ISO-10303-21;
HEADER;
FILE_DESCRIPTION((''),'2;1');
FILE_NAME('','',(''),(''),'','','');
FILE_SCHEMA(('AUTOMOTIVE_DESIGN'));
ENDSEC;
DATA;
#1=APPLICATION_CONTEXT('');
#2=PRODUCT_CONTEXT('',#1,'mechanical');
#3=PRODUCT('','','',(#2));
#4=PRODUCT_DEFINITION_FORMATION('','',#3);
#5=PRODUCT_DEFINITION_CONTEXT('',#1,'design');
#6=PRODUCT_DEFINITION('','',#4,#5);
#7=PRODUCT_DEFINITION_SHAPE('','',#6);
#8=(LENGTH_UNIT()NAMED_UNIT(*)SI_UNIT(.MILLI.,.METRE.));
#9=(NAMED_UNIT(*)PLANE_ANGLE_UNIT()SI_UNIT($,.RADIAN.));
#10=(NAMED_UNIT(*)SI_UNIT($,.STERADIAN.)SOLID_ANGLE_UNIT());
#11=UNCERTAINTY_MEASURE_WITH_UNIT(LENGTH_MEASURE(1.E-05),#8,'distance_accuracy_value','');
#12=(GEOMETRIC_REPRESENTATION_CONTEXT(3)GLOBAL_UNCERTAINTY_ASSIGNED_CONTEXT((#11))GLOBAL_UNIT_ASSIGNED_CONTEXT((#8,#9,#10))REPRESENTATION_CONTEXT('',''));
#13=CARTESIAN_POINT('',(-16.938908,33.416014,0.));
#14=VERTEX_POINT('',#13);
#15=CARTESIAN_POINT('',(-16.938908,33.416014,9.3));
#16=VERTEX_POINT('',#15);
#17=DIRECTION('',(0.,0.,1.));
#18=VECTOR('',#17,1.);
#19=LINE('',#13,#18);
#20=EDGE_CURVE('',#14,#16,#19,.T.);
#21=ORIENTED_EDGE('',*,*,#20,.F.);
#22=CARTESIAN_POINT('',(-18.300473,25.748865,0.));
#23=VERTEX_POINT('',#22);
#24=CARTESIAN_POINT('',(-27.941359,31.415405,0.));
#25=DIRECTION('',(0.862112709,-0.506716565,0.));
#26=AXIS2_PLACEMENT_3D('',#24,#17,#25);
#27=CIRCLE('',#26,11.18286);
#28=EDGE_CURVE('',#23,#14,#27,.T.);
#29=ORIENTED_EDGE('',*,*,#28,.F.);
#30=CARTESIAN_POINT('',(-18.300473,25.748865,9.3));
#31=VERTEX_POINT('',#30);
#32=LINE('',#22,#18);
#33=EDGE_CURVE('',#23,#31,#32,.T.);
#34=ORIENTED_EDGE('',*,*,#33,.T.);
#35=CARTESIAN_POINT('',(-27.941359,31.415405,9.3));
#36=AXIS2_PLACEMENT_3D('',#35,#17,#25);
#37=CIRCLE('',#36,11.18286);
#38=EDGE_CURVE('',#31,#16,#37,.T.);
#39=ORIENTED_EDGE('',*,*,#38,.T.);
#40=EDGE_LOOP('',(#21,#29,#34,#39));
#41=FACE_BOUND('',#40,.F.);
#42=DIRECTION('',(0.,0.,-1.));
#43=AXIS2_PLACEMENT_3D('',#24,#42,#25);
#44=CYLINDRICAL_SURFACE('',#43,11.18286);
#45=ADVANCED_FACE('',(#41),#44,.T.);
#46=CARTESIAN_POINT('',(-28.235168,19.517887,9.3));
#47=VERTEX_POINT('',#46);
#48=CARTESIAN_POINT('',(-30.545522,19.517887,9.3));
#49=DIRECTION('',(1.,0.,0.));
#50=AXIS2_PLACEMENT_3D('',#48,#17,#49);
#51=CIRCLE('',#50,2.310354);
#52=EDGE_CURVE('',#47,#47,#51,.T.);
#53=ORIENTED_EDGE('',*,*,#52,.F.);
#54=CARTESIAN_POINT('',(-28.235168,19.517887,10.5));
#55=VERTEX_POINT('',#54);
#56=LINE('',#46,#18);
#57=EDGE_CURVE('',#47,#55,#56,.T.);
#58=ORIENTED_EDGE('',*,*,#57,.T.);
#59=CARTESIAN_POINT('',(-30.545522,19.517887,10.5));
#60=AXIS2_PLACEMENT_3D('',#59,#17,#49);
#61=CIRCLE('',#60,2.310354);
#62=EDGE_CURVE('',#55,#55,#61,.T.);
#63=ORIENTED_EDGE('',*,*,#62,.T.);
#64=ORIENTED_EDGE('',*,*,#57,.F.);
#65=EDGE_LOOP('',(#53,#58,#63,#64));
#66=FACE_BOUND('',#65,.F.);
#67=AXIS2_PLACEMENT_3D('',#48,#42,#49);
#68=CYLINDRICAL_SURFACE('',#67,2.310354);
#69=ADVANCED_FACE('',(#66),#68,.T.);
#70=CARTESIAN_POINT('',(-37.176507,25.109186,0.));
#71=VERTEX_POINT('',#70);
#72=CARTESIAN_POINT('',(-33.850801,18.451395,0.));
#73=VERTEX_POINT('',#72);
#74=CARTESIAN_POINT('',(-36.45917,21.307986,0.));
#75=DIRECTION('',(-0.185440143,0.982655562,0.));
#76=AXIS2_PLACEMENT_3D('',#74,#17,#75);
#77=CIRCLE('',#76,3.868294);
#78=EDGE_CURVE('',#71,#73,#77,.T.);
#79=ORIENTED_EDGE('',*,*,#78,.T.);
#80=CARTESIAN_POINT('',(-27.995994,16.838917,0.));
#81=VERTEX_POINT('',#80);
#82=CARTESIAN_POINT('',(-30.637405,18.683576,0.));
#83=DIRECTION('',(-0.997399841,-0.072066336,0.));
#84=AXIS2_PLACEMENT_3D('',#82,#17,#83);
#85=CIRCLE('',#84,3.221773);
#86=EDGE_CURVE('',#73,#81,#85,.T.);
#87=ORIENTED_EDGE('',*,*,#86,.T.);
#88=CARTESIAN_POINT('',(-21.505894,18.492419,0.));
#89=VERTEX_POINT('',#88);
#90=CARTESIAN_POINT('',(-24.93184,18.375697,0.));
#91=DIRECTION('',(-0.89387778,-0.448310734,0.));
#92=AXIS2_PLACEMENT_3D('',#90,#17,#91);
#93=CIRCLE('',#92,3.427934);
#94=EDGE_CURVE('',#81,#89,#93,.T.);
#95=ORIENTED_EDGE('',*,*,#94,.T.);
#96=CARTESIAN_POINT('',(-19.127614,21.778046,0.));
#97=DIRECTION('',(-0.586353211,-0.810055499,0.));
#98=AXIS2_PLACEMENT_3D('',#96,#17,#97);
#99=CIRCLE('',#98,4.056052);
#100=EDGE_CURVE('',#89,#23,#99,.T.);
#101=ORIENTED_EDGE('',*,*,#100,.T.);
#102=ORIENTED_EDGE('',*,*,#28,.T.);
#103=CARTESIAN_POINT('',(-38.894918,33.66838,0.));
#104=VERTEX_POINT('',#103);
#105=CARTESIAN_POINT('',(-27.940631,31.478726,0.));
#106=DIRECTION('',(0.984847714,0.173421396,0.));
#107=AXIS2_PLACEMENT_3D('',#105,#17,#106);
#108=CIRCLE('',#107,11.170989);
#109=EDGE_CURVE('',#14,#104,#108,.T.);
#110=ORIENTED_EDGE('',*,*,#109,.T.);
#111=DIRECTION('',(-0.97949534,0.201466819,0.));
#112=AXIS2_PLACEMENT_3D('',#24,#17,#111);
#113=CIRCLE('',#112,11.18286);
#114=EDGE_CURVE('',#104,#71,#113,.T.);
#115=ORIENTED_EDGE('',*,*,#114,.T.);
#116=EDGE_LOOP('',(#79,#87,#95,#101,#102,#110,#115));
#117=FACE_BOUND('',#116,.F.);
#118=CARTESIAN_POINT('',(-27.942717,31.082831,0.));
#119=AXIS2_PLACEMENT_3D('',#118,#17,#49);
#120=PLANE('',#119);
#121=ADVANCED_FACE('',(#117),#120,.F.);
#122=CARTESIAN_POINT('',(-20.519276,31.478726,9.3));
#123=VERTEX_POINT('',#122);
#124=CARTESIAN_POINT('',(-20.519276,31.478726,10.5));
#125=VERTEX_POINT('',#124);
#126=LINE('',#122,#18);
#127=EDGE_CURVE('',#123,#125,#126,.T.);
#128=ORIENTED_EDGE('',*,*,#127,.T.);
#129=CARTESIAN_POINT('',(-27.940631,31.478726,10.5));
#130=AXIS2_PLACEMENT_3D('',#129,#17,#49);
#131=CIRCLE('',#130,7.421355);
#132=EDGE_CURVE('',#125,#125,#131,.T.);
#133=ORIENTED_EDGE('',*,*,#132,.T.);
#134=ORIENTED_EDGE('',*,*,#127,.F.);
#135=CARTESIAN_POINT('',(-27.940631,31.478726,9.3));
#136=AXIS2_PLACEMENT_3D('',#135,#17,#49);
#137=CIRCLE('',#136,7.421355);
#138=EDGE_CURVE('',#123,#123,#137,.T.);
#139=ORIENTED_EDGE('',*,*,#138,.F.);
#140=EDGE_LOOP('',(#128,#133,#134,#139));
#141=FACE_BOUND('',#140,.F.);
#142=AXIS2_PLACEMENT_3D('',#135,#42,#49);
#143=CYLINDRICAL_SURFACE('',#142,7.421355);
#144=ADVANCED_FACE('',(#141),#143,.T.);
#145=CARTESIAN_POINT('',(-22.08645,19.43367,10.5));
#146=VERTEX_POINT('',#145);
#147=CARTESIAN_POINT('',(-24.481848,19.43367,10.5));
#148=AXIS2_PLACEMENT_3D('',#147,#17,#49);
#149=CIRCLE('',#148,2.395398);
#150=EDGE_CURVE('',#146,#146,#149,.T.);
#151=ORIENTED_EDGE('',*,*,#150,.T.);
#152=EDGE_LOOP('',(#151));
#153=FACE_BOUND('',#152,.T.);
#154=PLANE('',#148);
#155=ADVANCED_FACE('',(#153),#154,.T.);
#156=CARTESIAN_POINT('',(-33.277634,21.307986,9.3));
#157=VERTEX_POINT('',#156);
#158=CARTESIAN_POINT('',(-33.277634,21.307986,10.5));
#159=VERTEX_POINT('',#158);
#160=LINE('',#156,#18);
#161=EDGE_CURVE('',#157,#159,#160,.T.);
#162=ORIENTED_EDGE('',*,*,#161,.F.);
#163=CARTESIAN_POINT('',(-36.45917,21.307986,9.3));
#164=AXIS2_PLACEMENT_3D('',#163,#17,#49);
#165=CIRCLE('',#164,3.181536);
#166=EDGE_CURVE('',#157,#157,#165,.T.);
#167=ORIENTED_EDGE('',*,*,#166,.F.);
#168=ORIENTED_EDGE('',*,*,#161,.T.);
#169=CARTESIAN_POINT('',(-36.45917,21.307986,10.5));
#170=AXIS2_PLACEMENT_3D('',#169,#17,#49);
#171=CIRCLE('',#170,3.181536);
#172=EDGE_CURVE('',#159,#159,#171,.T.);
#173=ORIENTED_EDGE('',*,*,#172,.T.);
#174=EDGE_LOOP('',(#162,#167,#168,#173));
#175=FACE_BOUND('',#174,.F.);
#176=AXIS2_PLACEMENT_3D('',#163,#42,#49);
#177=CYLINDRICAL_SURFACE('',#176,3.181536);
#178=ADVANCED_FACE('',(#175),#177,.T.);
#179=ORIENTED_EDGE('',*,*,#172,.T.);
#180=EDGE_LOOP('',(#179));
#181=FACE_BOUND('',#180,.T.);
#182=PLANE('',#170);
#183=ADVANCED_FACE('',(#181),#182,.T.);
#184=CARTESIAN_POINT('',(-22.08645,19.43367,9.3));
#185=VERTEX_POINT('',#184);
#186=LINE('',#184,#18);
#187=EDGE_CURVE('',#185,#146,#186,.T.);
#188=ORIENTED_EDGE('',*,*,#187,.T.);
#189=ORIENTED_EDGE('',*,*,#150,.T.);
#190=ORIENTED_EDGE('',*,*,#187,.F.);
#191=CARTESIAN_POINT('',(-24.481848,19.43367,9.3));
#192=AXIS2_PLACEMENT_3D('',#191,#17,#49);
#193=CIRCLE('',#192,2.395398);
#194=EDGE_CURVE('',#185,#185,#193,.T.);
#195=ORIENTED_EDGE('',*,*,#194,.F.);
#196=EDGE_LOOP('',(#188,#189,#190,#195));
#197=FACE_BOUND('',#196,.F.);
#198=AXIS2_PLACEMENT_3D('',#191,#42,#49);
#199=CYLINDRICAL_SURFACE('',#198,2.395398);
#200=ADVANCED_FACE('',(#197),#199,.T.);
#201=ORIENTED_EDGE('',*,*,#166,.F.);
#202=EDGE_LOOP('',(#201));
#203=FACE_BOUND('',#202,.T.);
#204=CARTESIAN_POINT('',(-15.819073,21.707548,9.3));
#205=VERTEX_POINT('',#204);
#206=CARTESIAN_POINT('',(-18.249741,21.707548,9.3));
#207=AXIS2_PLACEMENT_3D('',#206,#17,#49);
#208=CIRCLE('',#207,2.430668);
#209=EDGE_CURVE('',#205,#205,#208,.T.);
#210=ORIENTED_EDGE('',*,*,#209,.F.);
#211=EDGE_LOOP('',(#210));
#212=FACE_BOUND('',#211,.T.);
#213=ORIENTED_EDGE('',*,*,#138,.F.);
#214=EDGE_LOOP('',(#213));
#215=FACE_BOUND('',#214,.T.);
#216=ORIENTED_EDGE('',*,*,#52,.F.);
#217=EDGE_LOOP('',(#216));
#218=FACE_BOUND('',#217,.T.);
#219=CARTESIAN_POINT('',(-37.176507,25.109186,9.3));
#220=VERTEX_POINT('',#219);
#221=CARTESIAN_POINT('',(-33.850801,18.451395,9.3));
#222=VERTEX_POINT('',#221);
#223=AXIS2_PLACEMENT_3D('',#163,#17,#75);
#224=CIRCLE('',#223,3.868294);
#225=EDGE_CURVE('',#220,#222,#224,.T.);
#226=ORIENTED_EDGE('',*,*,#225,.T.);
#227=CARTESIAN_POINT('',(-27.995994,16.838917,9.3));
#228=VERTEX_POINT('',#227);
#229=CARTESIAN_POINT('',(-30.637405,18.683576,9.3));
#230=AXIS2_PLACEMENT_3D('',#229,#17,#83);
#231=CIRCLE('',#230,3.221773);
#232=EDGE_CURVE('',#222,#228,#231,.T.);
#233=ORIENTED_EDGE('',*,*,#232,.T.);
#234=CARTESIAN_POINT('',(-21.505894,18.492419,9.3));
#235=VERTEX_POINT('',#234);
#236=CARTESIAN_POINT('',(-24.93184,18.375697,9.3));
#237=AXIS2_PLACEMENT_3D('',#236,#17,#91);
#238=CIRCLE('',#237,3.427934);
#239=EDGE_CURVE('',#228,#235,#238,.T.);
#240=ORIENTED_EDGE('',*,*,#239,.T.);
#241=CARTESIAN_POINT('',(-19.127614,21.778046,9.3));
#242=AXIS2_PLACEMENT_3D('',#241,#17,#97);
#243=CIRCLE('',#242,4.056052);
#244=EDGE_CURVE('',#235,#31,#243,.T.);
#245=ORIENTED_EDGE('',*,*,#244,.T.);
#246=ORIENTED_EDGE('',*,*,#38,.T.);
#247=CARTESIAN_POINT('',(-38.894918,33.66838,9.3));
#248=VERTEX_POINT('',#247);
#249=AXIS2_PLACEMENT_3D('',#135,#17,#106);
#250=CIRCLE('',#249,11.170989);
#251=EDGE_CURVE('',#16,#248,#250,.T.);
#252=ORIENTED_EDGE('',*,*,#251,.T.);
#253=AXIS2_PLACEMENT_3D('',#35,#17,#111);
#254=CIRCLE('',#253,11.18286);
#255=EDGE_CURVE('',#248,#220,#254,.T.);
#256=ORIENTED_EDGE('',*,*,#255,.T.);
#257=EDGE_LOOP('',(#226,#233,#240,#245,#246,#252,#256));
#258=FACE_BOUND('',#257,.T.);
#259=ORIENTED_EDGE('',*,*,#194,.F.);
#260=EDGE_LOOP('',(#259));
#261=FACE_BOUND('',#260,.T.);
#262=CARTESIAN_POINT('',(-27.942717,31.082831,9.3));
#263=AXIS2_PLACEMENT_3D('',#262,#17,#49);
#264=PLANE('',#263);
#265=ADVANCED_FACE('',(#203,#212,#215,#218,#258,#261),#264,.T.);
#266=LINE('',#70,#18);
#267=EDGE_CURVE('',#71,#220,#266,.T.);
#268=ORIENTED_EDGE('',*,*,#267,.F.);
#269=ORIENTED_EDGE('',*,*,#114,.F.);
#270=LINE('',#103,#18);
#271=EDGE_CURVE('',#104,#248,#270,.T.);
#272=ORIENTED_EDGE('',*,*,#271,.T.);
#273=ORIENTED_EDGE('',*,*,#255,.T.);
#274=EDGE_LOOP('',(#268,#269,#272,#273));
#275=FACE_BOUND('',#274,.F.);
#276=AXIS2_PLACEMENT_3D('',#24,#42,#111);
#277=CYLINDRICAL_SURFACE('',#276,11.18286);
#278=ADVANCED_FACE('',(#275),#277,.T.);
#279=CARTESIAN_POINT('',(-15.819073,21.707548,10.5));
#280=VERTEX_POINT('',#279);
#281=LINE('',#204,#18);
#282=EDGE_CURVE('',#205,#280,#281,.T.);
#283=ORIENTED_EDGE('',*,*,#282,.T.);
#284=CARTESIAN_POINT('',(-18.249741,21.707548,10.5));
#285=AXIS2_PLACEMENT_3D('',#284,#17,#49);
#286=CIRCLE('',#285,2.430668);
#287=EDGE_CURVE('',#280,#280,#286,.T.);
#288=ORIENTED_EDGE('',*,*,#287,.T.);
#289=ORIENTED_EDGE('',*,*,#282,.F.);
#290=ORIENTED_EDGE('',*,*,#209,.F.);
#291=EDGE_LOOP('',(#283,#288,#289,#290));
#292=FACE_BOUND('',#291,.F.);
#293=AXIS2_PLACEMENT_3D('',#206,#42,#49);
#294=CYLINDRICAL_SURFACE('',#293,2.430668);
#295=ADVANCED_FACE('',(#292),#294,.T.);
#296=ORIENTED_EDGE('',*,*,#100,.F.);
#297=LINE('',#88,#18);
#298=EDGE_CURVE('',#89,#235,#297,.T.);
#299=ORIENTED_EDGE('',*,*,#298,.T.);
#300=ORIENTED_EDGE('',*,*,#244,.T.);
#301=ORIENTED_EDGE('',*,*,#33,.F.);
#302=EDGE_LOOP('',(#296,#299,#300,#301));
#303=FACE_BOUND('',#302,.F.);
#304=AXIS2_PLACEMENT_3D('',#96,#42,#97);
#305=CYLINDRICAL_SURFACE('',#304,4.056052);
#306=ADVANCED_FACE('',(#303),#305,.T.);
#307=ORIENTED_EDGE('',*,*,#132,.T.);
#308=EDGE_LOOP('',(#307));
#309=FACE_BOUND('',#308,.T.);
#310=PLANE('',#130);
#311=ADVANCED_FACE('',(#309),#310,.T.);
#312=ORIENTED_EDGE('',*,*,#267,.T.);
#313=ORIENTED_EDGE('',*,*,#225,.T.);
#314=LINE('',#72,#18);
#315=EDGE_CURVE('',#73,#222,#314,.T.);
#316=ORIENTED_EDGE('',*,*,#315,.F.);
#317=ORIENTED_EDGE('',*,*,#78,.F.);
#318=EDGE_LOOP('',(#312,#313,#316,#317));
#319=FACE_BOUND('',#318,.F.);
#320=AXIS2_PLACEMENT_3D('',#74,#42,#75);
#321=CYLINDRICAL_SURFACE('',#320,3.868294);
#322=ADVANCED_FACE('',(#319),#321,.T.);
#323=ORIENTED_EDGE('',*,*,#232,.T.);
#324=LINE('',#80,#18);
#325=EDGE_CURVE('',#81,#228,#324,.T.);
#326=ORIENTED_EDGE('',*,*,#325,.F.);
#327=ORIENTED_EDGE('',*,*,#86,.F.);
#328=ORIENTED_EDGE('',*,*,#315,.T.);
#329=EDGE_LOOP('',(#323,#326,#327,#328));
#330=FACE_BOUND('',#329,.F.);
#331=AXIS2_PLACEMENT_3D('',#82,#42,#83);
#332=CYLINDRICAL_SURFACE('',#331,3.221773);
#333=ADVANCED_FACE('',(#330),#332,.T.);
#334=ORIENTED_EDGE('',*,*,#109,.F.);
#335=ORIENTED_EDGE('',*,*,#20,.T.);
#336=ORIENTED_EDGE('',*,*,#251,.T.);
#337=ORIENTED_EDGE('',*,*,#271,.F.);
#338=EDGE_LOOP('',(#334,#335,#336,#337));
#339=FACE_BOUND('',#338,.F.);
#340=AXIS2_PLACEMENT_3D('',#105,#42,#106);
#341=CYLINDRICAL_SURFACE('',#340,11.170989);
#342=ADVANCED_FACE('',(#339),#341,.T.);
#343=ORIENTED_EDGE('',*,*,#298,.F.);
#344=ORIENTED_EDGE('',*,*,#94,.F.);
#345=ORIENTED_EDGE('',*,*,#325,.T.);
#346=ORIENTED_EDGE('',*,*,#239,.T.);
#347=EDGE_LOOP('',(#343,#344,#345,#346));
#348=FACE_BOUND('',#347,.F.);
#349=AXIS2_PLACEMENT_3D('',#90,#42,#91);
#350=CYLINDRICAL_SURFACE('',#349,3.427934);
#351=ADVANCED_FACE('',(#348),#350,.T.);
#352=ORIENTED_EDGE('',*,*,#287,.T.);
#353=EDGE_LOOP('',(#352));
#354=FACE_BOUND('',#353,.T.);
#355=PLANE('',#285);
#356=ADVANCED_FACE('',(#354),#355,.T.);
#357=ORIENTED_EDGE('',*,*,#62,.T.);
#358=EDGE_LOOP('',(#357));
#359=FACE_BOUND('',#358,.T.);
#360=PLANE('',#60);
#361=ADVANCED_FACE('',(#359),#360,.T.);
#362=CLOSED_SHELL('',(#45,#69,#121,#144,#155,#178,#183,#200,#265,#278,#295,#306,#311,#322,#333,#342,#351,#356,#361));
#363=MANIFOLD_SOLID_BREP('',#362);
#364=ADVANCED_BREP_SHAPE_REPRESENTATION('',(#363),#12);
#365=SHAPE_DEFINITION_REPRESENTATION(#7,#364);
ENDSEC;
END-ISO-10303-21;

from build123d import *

# Parameters (mm, degrees)
F1_DEPTH = 9.3
F2_R     = 7.4213549333
F2_R_2   = 3.1815358487
F2_R_3   = 2.3103538903
F2_R_4   = 2.3953978144
F2_R_5   = 2.4306675127
F3_DEPTH = 1.2


with BuildPart() as f1:
    # F0 (on Top) → F1 (new body)
    with BuildSketch(Plane.XY):
        with BuildLine():
            ThreePointArc((-18.3004729587, 25.7488646483), (-16.9307669757, 29.4600974462), (-16.9389080256, 33.4160141647))
            ThreePointArc((-16.9389080256, 33.4160141647), (-27.8122380676, 42.6489766388), (-38.8949178159, 33.6683802307))
            ThreePointArc((-38.8949178159, 33.6683802307), (-38.9054329765, 29.2141712974), (-37.1765067827, 25.1091862783))
            ThreePointArc((-37.1765067827, 25.1091862783), (-35.1477566437, 22.8641370486), (-32.5913859219, 21.2451738298))
            ThreePointArc((-32.5913859219, 21.2451738298), (-30.2580300956, 20.4751404155), (-27.8128294464, 20.2332837294))
            ThreePointArc((-27.8128294464, 20.2332837294), (-25.4265044225, 20.5189898006), (-23.1563369345, 21.3079857798))
            ThreePointArc((-23.1563369345, 21.3079857798), (-20.3943690235, 23.1631747639), (-18.3004729587, 25.7488646483))
        make_face()
        with BuildLine():
            ThreePointArc((-21.5058938379, 18.49241862), (-15.4174244879, 20.1391282026), (-18.3004729587, 25.7488646483))
            ThreePointArc((-18.3004729587, 25.7488646483), (-20.3943690235, 23.1631747639), (-23.1563369345, 21.3079857798))
            ThreePointArc((-23.1563369345, 21.3079857798), (-21.9745400177, 20.1092213147), (-21.5058938379, 18.49241862))
        make_face()
        with BuildLine():
            ThreePointArc((-32.5913859219, 21.2451738298), (-35.1477566437, 22.8641370486), (-37.1765067827, 25.1091862783))
            ThreePointArc((-37.1765067827, 25.1091862783), (-39.9197400879, 19.57935889), (-33.8508013782, 18.4513948615))
            ThreePointArc((-33.8508013782, 18.4513948615), (-33.5745375326, 20.0076143047), (-32.5913859219, 21.2451738298))
        make_face()
        with BuildLine():
            ThreePointArc((-21.5058938379, 18.49241862), (-22.6267961898, 19.7268785626), (-23.1563369345, 21.3079857798))
            ThreePointArc((-23.1563369345, 21.3079857798), (-25.4265044225, 20.5189898006), (-27.8128294464, 20.2332837294))
            ThreePointArc((-27.8128294464, 20.2332837294), (-27.4203125791, 18.5099777966), (-27.9959938241, 16.8389170756))
            ThreePointArc((-27.9959938241, 16.8389170756), (-24.0855301415, 15.0538762887), (-21.5058938379, 18.49241862))
        make_face()
        with BuildLine():
            ThreePointArc((-21.5058938379, 18.49241862), (-21.9745400177, 20.1092213147), (-23.1563369345, 21.3079857798))
            ThreePointArc((-23.1563369345, 21.3079857798), (-22.6267961898, 19.7268785626), (-21.5058938379, 18.49241862))
        make_face()
        with BuildLine():
            ThreePointArc((-27.8128294464, 20.2332837294), (-30.2580300956, 20.4751404155), (-32.5913859219, 21.2451738298))
            ThreePointArc((-32.5913859219, 21.2451738298), (-32.932636463, 19.7182499213), (-33.8508013782, 18.4513948615))
            ThreePointArc((-33.8508013782, 18.4513948615), (-31.4928658765, 15.5774517251), (-27.9959938241, 16.8389170756))
            ThreePointArc((-27.9959938241, 16.8389170756), (-28.3547938845, 18.5604036062), (-27.8128294464, 20.2332837294))
        make_face()
        with BuildLine():
            ThreePointArc((-33.8508013782, 18.4513948615), (-32.932636463, 19.7182499213), (-32.5913859219, 21.2451738298))
            ThreePointArc((-32.5913859219, 21.2451738298), (-33.5745375326, 20.0076143047), (-33.8508013782, 18.4513948615))
        make_face()
        with BuildLine():
            ThreePointArc((-27.9959938241, 16.8389170756), (-27.4203125791, 18.5099777966), (-27.8128294464, 20.2332837294))
            ThreePointArc((-27.8128294464, 20.2332837294), (-28.3547938845, 18.5604036062), (-27.9959938241, 16.8389170756))
        make_face()
    extrude(amount=F1_DEPTH)

    # F2 (on face) → F3 (join)
    with BuildSketch(Plane.XY.offset(9.3)):
        with Locations((-27.9406308089, 31.4787256965)):
            Circle(F2_R)
        with Locations((-36.4591698118, 21.3079857798)):
            Circle(F2_R_2)
        with Locations((-30.5455215275, 19.5178873837)):
            Circle(F2_R_3)
        with Locations((-24.4818478823, 19.4336697459)):
            Circle(F2_R_4)
        with Locations((-18.2497408241, 21.7075478286)):
            Circle(F2_R_5)
    extrude(amount=F3_DEPTH)


solid = f1.part
